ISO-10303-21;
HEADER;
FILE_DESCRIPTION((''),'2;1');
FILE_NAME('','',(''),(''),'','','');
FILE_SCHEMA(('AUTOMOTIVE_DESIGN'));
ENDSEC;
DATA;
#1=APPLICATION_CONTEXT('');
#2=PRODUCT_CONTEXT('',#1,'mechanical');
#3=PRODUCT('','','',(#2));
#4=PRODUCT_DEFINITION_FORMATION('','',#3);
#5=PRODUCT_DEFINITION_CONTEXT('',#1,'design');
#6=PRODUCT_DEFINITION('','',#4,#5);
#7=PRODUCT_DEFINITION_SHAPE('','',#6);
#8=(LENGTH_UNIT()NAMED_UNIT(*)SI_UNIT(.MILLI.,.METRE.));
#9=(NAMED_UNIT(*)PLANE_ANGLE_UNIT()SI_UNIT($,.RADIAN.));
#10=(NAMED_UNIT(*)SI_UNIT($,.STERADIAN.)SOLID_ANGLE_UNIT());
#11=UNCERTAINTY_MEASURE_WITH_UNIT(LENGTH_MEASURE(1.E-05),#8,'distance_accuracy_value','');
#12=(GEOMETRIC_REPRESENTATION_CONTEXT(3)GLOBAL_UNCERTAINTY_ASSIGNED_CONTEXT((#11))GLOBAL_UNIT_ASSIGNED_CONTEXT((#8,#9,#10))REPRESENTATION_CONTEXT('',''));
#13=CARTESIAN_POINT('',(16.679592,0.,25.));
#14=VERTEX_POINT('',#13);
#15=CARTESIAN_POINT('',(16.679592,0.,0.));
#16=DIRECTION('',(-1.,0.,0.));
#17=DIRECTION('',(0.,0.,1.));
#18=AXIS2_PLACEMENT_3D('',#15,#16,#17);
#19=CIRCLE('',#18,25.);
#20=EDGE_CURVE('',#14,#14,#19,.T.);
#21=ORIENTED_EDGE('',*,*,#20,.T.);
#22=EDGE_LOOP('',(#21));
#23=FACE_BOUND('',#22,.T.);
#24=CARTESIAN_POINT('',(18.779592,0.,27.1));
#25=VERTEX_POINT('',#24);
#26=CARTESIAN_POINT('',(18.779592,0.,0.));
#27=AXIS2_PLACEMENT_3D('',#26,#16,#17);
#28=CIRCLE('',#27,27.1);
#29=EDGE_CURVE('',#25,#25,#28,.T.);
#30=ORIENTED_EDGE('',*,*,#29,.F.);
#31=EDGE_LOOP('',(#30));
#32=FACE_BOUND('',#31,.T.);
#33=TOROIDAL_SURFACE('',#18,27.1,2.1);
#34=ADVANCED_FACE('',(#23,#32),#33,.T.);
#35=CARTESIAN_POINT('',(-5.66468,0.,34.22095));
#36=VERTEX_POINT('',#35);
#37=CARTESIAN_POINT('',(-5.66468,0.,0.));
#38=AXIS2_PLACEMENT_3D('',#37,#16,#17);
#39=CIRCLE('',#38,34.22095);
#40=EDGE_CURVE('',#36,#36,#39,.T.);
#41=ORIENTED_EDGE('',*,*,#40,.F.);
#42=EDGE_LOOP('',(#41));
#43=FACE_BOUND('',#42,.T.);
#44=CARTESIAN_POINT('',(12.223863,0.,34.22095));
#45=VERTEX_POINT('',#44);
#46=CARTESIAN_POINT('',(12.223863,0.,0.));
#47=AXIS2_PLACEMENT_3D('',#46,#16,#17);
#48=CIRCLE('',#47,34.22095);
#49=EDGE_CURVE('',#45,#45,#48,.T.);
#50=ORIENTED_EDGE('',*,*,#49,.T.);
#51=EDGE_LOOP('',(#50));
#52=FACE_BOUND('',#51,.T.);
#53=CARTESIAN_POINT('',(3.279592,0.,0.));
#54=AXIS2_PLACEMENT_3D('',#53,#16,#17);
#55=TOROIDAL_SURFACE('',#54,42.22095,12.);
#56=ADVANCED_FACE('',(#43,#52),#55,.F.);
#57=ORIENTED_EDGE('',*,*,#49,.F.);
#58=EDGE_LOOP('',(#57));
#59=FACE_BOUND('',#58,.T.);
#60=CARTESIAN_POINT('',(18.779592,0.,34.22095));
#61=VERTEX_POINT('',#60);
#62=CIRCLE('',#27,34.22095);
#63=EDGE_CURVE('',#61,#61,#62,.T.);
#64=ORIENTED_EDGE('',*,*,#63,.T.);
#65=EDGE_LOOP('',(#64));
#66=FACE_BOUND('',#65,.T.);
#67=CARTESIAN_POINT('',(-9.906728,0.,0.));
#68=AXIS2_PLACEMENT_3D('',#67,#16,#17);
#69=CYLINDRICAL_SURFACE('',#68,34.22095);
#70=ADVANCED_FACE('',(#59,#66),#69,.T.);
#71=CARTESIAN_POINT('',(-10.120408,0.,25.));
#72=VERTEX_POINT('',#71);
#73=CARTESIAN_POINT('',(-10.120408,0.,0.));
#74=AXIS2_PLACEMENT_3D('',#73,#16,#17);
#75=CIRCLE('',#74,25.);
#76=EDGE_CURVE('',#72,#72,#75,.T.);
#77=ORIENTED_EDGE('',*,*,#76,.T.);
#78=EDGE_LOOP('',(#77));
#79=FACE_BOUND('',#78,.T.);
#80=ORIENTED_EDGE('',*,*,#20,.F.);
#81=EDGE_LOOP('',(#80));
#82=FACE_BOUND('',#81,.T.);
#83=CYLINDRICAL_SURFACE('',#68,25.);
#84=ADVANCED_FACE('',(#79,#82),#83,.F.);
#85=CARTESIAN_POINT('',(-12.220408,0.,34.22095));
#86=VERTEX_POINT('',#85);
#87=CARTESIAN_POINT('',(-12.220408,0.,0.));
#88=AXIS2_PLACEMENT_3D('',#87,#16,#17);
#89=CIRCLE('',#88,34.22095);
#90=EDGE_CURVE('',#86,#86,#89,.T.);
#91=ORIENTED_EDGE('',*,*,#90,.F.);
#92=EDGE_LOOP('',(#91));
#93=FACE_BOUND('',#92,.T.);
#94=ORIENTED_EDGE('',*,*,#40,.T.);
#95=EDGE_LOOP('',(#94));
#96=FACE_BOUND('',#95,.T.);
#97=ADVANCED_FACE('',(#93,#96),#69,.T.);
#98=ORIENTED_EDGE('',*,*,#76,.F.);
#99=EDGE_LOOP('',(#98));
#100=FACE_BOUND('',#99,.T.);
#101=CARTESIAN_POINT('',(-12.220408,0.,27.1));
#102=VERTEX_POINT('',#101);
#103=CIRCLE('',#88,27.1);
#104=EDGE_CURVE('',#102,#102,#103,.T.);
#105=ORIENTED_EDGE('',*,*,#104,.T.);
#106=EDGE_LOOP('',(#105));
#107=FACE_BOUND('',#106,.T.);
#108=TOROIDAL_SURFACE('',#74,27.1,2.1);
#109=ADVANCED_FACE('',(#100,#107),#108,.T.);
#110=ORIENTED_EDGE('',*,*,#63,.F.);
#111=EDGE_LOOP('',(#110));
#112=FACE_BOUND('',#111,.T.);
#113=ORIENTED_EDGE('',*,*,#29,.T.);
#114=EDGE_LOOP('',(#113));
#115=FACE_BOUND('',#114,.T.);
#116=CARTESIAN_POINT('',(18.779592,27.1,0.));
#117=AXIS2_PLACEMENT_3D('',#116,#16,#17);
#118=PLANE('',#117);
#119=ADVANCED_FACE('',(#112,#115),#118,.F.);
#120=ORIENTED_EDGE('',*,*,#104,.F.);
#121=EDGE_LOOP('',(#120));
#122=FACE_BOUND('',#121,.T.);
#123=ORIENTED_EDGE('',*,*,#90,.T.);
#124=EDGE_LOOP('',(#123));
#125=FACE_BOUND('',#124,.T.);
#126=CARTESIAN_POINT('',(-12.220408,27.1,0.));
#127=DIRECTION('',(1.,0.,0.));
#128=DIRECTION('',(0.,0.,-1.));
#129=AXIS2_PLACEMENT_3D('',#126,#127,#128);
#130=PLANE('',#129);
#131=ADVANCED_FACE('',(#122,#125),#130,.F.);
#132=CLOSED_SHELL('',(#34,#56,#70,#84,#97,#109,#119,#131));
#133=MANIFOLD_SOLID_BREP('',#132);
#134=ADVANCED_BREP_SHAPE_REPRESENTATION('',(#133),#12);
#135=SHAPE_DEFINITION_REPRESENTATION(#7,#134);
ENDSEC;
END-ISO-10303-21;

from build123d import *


with BuildPart() as part:
    # Sketch1 → Revolve1 (revolve)
    with BuildSketch(Plane.XY, mode=Mode.PRIVATE) as revolve1_sk:
        with BuildLine():
            Line((16.679591547, 25), (-10.120408453, 25))
            ThreePointArc((-10.120408453, 25), (-11.605332693, 25.61507576), (-12.220408453, 27.1))
            Line((-12.220408453, 27.1), (-12.220408453, 34.220950447))
            Line((-12.220408453, 34.220950447), (-5.664680363, 34.220950447))
            ThreePointArc((-5.664680363, 34.220950447), (3.279591547, 30.220950447), (12.223863457, 34.220950447))
            Line((12.223863457, 34.220950447), (18.779591547, 34.220950447))
            Line((18.779591547, 34.220950447), (18.779591547, 27.1))
            ThreePointArc((18.779591547, 27.1), (18.164515788, 25.61507576), (16.679591547, 25))
        make_face()
    revolve(revolve1_sk.sketch.rotate(Axis((-9.906727842, 0, 0), (1, 0, 0)), 90), axis=Axis((-9.906727842, 0, 0), (1, 0, 0)))


solid = part.part
